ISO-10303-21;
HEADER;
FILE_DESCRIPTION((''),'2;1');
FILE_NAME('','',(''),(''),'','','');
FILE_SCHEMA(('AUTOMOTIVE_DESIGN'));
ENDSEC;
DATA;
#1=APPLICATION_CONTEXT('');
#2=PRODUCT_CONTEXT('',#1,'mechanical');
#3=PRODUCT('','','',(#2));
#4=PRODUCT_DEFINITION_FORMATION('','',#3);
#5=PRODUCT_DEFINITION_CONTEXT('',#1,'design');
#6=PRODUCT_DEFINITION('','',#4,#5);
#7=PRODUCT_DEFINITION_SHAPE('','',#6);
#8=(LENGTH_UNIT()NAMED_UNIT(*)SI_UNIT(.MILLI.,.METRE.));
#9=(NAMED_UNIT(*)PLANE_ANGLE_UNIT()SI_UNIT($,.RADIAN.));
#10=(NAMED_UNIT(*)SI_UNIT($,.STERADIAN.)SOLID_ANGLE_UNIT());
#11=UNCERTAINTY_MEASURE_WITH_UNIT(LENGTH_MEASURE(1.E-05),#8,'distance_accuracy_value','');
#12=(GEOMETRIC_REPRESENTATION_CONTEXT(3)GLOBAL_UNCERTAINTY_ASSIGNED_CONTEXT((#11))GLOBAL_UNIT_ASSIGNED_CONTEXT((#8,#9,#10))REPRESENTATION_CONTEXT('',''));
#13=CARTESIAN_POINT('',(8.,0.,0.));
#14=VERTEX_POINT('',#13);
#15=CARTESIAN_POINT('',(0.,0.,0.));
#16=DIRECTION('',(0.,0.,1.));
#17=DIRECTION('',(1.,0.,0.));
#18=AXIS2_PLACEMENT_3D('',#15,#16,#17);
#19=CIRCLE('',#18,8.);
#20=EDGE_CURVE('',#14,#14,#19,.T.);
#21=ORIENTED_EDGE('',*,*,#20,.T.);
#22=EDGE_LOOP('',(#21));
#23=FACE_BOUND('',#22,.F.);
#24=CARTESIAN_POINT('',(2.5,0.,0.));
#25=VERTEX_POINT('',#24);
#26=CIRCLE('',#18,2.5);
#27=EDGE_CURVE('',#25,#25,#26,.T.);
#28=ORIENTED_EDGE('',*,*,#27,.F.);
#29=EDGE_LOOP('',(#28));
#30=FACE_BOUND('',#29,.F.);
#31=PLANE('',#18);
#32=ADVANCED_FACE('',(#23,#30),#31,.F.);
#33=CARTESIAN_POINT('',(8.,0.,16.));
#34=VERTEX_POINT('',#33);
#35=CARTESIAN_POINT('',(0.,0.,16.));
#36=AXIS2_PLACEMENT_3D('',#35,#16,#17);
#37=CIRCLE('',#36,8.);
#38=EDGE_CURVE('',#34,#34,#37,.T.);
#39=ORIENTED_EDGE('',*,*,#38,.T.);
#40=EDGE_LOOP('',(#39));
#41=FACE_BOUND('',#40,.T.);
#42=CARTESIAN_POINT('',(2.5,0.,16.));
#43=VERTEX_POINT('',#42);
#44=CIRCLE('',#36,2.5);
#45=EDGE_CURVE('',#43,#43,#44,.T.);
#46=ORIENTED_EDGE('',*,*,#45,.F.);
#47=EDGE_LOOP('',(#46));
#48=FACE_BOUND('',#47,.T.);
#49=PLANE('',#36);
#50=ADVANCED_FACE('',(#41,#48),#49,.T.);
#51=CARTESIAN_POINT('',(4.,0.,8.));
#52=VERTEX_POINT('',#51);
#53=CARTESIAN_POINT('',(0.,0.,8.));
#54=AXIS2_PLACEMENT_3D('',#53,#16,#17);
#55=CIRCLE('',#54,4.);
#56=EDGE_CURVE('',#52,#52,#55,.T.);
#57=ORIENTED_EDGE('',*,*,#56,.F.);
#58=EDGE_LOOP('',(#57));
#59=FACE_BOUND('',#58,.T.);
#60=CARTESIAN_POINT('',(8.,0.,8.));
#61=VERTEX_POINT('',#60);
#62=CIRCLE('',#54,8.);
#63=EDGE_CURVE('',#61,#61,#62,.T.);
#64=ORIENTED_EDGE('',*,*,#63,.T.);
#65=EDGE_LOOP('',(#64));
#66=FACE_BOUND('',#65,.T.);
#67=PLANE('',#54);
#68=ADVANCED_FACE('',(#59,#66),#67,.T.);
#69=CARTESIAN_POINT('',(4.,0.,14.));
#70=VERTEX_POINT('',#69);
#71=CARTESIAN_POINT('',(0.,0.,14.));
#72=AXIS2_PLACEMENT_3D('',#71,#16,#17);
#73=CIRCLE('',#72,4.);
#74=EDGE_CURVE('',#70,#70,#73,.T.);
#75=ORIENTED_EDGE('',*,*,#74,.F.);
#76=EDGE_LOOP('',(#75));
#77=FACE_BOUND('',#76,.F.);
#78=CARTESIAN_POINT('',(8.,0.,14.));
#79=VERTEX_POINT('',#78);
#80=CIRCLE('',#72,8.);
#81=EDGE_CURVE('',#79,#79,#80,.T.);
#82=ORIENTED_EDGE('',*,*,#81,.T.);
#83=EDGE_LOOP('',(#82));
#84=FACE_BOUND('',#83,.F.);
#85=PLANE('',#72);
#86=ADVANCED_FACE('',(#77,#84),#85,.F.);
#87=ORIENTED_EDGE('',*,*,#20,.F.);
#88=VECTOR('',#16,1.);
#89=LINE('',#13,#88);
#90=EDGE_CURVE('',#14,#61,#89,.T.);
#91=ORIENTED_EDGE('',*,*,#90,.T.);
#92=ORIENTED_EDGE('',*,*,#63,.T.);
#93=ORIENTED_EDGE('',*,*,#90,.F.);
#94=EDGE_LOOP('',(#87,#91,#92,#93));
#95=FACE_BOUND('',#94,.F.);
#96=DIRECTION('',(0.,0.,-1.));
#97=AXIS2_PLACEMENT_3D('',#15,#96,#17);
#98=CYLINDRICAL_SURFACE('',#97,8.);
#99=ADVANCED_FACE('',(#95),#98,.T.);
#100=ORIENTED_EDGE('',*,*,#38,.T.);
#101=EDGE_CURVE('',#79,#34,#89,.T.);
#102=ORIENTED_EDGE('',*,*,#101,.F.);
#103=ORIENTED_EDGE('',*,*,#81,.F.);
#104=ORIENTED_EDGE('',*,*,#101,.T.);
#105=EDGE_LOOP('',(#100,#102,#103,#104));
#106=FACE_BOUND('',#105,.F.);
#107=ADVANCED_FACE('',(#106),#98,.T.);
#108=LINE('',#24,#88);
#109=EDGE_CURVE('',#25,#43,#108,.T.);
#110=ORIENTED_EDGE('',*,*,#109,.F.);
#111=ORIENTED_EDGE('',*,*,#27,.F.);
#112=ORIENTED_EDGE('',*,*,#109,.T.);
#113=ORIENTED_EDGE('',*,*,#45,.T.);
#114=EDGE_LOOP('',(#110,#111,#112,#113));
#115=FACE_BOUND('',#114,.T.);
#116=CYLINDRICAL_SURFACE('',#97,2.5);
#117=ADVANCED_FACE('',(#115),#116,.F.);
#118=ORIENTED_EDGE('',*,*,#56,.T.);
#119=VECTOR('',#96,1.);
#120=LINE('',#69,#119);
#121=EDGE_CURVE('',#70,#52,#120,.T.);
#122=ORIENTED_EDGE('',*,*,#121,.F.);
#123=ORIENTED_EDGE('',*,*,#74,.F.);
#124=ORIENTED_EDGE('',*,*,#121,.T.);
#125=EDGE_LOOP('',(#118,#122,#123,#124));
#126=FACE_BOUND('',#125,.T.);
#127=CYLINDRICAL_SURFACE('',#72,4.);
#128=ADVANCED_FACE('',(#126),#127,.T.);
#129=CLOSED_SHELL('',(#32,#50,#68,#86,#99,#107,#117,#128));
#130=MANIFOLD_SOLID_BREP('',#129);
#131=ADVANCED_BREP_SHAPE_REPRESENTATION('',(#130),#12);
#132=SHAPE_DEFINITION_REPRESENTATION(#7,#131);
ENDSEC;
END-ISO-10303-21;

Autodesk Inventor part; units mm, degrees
ref_plane "YZ Plane" through (0, 0, 0) normal (1, 0, 0) x (0, 1, 0)
ref_plane "XZ Plane" through (0, 0, 0) normal (0, 1, 0) x (-1, 0, 0)
sketch "Sketch1" plane through (0, 0, 0) normal (0, 0, 1) x (1, 0, 0)
  circle A0 centre (0, 0) radius 8
  circle A1 centre (0, 0) radius 2.5
  dimension "d0" = 16
  dimension "d3" = 5
extrude "Extrusion1" add sketch "Sketch1" along normal blind 16
ref_plane "Work Plane1" through (0, 0, 14) normal (0, 0, 1) x (1, 0, 0)
sketch "Sketch3" plane through (0, 0, 14) normal (0, 0, 1) x (1, 0, 0)
  circle A0 centre (0, 0) radius 8 projected
  circle A1 centre (0, 0) radius 2.5 projected
  circle A2 centre (0, 0) radius 2.5
  circle A3 centre (0, 0) radius 4
  dimension "d5" = 5
  dimension "d6" = 8
extrude "Extrusion2" cut sketch "Sketch3" against normal blind 6 contours A0
properties part number "pulley-small" material "Aluminum"
